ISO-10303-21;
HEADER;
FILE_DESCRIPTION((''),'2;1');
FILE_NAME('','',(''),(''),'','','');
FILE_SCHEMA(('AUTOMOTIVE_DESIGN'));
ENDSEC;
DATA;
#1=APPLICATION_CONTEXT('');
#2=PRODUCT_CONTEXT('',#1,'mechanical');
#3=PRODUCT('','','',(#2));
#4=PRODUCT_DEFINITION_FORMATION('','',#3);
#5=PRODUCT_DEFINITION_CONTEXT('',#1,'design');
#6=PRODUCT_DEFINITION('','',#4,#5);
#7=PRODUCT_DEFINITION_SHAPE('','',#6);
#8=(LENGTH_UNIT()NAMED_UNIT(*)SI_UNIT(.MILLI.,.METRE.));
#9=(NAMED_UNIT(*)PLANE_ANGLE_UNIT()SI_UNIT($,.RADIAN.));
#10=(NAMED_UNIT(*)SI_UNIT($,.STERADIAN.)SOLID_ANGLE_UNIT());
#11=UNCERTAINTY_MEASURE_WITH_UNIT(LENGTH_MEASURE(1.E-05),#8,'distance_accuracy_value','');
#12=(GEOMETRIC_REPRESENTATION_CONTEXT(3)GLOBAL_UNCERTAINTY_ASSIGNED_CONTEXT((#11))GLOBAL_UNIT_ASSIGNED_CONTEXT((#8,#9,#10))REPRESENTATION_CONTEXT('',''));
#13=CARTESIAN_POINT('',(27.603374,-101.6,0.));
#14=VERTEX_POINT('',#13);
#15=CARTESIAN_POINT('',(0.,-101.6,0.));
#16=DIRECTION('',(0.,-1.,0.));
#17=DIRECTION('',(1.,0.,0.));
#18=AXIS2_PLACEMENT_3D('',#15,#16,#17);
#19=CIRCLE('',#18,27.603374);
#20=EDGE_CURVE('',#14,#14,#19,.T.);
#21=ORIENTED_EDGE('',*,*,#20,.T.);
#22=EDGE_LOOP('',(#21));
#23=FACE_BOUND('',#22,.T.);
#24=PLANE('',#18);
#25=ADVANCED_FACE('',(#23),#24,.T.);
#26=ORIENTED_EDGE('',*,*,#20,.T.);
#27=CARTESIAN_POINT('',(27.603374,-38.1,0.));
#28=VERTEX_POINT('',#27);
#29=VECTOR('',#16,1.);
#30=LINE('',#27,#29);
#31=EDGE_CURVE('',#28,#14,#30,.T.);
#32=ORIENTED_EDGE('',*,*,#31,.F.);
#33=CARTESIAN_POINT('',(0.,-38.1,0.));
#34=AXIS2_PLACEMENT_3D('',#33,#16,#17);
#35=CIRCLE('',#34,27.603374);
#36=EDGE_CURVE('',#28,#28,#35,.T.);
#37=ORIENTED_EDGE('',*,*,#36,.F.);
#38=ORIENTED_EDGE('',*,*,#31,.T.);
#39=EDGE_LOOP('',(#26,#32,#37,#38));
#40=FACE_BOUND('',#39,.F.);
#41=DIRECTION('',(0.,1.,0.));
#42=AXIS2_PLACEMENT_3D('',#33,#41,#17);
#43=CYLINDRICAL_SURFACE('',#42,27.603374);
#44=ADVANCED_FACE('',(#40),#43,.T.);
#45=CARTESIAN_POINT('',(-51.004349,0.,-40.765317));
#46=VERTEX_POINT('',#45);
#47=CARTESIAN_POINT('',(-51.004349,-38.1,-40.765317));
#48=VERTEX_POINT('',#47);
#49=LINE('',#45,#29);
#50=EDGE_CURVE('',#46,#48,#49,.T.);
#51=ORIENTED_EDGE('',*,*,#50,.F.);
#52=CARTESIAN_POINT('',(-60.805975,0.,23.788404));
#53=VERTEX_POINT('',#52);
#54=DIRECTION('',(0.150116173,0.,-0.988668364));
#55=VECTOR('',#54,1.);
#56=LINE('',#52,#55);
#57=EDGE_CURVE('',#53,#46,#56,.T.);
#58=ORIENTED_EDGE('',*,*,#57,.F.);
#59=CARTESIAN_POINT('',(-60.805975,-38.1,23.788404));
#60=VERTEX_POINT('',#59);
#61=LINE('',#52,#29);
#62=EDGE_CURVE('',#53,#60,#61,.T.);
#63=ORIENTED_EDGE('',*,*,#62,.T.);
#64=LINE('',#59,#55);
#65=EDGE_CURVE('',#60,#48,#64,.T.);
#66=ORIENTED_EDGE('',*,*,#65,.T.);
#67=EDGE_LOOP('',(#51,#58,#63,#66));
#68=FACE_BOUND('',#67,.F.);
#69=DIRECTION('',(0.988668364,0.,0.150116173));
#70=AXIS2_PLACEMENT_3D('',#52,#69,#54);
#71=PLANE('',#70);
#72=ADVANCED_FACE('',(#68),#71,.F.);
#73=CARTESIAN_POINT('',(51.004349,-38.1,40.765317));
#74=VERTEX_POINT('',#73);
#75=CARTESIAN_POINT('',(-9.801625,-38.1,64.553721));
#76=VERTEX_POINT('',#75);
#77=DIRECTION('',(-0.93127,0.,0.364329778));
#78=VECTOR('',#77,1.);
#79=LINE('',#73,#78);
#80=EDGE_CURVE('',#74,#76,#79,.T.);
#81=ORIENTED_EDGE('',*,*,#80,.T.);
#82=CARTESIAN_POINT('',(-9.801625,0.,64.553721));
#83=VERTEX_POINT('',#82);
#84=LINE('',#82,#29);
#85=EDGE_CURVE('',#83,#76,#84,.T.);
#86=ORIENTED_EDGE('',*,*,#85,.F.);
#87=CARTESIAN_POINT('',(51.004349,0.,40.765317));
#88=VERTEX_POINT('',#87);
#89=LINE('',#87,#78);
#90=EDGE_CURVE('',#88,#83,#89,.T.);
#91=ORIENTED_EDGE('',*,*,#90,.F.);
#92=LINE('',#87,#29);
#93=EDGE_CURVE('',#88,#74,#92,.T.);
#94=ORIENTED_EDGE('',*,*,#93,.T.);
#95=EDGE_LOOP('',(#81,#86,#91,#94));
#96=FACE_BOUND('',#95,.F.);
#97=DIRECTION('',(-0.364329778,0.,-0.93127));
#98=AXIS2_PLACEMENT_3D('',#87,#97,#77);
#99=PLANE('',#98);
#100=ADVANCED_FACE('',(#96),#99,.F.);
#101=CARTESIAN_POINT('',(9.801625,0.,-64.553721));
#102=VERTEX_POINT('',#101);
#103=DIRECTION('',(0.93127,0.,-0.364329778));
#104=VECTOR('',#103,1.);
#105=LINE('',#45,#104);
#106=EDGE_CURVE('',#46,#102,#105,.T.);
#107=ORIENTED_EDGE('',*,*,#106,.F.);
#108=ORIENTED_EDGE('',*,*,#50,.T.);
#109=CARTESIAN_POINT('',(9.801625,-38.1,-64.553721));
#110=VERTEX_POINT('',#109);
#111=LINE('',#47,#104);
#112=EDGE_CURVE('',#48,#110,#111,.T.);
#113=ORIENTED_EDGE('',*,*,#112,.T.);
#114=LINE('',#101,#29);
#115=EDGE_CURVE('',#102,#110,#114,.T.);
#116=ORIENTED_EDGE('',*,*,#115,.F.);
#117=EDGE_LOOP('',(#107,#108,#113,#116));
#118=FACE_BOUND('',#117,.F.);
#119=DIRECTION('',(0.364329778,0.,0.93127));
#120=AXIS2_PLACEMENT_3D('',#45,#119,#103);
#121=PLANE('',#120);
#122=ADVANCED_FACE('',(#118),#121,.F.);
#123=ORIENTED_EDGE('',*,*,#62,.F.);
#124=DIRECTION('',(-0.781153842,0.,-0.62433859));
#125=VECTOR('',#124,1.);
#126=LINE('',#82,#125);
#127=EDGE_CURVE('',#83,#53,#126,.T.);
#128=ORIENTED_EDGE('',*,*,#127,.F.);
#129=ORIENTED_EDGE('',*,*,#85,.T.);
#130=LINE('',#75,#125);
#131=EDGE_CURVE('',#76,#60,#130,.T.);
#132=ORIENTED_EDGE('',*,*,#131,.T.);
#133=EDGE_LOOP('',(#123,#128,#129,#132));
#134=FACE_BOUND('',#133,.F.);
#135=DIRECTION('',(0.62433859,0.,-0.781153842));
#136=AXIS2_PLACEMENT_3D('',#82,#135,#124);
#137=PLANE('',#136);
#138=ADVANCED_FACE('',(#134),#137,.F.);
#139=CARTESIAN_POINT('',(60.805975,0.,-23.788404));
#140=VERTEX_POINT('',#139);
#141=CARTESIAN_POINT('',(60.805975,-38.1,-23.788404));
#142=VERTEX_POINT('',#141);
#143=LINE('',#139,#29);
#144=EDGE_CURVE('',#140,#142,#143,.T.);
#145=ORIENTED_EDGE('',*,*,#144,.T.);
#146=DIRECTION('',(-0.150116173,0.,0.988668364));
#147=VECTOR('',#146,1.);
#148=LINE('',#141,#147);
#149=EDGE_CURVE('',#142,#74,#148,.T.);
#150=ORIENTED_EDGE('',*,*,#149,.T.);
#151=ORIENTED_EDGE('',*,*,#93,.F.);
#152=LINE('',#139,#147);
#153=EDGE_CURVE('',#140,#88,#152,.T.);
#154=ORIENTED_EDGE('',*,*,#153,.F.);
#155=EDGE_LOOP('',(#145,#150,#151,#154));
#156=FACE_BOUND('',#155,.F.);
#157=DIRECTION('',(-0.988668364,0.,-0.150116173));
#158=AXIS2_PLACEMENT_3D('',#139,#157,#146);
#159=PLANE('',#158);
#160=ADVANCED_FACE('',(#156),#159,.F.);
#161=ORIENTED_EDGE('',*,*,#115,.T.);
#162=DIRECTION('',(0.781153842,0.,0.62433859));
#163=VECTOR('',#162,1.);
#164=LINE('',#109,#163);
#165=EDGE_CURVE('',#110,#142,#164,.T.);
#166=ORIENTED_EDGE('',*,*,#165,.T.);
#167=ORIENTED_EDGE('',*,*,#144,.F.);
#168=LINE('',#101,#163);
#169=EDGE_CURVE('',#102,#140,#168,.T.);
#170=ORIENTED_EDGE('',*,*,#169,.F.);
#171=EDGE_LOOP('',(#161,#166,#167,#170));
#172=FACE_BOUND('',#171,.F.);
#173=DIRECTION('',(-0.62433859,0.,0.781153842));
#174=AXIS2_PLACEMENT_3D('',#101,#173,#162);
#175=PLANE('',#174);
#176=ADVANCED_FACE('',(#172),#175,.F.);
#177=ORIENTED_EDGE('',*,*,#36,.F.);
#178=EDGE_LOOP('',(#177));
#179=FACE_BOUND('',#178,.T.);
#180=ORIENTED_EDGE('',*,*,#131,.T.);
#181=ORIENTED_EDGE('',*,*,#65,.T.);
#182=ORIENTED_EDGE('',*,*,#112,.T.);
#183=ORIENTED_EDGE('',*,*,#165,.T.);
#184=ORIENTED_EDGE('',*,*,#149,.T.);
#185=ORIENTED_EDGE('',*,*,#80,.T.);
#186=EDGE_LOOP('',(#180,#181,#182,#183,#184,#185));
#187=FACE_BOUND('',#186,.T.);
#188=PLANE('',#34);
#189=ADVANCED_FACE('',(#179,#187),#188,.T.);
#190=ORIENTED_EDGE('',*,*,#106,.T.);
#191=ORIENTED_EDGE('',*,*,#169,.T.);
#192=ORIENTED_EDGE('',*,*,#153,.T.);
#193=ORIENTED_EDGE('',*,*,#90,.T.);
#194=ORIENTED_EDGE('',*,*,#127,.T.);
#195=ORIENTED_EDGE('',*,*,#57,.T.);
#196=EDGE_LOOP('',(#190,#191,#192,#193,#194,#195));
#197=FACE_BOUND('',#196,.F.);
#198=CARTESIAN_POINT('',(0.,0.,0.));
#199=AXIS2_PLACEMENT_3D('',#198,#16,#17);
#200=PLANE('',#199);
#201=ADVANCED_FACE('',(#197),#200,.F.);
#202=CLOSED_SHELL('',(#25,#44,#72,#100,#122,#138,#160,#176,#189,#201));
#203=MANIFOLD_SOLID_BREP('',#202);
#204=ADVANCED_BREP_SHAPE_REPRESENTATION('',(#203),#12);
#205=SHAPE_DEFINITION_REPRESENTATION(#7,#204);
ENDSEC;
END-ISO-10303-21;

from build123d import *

# Parameters (mm, degrees)
F1_DEPTH = 38.1
F2_R     = 27.603374
F3_DEPTH = 63.5


with BuildPart() as f1:
    # F0 (on Front) → F1 (new body)
    with BuildSketch(Plane.XZ):
        Polygon((51.004349, 40.765317), (-9.801625, 64.553721), (-60.805975, 23.788404), (-51.004349, -40.765317), (9.801625, -64.553721), (60.805975, -23.788404), align=None)
    extrude(amount=F1_DEPTH)

    # F2 (on face) → F3 (join)
    with BuildSketch(Plane.XZ.offset(38.1)):
        Circle(F2_R)
    extrude(amount=F3_DEPTH)


solid = f1.part
